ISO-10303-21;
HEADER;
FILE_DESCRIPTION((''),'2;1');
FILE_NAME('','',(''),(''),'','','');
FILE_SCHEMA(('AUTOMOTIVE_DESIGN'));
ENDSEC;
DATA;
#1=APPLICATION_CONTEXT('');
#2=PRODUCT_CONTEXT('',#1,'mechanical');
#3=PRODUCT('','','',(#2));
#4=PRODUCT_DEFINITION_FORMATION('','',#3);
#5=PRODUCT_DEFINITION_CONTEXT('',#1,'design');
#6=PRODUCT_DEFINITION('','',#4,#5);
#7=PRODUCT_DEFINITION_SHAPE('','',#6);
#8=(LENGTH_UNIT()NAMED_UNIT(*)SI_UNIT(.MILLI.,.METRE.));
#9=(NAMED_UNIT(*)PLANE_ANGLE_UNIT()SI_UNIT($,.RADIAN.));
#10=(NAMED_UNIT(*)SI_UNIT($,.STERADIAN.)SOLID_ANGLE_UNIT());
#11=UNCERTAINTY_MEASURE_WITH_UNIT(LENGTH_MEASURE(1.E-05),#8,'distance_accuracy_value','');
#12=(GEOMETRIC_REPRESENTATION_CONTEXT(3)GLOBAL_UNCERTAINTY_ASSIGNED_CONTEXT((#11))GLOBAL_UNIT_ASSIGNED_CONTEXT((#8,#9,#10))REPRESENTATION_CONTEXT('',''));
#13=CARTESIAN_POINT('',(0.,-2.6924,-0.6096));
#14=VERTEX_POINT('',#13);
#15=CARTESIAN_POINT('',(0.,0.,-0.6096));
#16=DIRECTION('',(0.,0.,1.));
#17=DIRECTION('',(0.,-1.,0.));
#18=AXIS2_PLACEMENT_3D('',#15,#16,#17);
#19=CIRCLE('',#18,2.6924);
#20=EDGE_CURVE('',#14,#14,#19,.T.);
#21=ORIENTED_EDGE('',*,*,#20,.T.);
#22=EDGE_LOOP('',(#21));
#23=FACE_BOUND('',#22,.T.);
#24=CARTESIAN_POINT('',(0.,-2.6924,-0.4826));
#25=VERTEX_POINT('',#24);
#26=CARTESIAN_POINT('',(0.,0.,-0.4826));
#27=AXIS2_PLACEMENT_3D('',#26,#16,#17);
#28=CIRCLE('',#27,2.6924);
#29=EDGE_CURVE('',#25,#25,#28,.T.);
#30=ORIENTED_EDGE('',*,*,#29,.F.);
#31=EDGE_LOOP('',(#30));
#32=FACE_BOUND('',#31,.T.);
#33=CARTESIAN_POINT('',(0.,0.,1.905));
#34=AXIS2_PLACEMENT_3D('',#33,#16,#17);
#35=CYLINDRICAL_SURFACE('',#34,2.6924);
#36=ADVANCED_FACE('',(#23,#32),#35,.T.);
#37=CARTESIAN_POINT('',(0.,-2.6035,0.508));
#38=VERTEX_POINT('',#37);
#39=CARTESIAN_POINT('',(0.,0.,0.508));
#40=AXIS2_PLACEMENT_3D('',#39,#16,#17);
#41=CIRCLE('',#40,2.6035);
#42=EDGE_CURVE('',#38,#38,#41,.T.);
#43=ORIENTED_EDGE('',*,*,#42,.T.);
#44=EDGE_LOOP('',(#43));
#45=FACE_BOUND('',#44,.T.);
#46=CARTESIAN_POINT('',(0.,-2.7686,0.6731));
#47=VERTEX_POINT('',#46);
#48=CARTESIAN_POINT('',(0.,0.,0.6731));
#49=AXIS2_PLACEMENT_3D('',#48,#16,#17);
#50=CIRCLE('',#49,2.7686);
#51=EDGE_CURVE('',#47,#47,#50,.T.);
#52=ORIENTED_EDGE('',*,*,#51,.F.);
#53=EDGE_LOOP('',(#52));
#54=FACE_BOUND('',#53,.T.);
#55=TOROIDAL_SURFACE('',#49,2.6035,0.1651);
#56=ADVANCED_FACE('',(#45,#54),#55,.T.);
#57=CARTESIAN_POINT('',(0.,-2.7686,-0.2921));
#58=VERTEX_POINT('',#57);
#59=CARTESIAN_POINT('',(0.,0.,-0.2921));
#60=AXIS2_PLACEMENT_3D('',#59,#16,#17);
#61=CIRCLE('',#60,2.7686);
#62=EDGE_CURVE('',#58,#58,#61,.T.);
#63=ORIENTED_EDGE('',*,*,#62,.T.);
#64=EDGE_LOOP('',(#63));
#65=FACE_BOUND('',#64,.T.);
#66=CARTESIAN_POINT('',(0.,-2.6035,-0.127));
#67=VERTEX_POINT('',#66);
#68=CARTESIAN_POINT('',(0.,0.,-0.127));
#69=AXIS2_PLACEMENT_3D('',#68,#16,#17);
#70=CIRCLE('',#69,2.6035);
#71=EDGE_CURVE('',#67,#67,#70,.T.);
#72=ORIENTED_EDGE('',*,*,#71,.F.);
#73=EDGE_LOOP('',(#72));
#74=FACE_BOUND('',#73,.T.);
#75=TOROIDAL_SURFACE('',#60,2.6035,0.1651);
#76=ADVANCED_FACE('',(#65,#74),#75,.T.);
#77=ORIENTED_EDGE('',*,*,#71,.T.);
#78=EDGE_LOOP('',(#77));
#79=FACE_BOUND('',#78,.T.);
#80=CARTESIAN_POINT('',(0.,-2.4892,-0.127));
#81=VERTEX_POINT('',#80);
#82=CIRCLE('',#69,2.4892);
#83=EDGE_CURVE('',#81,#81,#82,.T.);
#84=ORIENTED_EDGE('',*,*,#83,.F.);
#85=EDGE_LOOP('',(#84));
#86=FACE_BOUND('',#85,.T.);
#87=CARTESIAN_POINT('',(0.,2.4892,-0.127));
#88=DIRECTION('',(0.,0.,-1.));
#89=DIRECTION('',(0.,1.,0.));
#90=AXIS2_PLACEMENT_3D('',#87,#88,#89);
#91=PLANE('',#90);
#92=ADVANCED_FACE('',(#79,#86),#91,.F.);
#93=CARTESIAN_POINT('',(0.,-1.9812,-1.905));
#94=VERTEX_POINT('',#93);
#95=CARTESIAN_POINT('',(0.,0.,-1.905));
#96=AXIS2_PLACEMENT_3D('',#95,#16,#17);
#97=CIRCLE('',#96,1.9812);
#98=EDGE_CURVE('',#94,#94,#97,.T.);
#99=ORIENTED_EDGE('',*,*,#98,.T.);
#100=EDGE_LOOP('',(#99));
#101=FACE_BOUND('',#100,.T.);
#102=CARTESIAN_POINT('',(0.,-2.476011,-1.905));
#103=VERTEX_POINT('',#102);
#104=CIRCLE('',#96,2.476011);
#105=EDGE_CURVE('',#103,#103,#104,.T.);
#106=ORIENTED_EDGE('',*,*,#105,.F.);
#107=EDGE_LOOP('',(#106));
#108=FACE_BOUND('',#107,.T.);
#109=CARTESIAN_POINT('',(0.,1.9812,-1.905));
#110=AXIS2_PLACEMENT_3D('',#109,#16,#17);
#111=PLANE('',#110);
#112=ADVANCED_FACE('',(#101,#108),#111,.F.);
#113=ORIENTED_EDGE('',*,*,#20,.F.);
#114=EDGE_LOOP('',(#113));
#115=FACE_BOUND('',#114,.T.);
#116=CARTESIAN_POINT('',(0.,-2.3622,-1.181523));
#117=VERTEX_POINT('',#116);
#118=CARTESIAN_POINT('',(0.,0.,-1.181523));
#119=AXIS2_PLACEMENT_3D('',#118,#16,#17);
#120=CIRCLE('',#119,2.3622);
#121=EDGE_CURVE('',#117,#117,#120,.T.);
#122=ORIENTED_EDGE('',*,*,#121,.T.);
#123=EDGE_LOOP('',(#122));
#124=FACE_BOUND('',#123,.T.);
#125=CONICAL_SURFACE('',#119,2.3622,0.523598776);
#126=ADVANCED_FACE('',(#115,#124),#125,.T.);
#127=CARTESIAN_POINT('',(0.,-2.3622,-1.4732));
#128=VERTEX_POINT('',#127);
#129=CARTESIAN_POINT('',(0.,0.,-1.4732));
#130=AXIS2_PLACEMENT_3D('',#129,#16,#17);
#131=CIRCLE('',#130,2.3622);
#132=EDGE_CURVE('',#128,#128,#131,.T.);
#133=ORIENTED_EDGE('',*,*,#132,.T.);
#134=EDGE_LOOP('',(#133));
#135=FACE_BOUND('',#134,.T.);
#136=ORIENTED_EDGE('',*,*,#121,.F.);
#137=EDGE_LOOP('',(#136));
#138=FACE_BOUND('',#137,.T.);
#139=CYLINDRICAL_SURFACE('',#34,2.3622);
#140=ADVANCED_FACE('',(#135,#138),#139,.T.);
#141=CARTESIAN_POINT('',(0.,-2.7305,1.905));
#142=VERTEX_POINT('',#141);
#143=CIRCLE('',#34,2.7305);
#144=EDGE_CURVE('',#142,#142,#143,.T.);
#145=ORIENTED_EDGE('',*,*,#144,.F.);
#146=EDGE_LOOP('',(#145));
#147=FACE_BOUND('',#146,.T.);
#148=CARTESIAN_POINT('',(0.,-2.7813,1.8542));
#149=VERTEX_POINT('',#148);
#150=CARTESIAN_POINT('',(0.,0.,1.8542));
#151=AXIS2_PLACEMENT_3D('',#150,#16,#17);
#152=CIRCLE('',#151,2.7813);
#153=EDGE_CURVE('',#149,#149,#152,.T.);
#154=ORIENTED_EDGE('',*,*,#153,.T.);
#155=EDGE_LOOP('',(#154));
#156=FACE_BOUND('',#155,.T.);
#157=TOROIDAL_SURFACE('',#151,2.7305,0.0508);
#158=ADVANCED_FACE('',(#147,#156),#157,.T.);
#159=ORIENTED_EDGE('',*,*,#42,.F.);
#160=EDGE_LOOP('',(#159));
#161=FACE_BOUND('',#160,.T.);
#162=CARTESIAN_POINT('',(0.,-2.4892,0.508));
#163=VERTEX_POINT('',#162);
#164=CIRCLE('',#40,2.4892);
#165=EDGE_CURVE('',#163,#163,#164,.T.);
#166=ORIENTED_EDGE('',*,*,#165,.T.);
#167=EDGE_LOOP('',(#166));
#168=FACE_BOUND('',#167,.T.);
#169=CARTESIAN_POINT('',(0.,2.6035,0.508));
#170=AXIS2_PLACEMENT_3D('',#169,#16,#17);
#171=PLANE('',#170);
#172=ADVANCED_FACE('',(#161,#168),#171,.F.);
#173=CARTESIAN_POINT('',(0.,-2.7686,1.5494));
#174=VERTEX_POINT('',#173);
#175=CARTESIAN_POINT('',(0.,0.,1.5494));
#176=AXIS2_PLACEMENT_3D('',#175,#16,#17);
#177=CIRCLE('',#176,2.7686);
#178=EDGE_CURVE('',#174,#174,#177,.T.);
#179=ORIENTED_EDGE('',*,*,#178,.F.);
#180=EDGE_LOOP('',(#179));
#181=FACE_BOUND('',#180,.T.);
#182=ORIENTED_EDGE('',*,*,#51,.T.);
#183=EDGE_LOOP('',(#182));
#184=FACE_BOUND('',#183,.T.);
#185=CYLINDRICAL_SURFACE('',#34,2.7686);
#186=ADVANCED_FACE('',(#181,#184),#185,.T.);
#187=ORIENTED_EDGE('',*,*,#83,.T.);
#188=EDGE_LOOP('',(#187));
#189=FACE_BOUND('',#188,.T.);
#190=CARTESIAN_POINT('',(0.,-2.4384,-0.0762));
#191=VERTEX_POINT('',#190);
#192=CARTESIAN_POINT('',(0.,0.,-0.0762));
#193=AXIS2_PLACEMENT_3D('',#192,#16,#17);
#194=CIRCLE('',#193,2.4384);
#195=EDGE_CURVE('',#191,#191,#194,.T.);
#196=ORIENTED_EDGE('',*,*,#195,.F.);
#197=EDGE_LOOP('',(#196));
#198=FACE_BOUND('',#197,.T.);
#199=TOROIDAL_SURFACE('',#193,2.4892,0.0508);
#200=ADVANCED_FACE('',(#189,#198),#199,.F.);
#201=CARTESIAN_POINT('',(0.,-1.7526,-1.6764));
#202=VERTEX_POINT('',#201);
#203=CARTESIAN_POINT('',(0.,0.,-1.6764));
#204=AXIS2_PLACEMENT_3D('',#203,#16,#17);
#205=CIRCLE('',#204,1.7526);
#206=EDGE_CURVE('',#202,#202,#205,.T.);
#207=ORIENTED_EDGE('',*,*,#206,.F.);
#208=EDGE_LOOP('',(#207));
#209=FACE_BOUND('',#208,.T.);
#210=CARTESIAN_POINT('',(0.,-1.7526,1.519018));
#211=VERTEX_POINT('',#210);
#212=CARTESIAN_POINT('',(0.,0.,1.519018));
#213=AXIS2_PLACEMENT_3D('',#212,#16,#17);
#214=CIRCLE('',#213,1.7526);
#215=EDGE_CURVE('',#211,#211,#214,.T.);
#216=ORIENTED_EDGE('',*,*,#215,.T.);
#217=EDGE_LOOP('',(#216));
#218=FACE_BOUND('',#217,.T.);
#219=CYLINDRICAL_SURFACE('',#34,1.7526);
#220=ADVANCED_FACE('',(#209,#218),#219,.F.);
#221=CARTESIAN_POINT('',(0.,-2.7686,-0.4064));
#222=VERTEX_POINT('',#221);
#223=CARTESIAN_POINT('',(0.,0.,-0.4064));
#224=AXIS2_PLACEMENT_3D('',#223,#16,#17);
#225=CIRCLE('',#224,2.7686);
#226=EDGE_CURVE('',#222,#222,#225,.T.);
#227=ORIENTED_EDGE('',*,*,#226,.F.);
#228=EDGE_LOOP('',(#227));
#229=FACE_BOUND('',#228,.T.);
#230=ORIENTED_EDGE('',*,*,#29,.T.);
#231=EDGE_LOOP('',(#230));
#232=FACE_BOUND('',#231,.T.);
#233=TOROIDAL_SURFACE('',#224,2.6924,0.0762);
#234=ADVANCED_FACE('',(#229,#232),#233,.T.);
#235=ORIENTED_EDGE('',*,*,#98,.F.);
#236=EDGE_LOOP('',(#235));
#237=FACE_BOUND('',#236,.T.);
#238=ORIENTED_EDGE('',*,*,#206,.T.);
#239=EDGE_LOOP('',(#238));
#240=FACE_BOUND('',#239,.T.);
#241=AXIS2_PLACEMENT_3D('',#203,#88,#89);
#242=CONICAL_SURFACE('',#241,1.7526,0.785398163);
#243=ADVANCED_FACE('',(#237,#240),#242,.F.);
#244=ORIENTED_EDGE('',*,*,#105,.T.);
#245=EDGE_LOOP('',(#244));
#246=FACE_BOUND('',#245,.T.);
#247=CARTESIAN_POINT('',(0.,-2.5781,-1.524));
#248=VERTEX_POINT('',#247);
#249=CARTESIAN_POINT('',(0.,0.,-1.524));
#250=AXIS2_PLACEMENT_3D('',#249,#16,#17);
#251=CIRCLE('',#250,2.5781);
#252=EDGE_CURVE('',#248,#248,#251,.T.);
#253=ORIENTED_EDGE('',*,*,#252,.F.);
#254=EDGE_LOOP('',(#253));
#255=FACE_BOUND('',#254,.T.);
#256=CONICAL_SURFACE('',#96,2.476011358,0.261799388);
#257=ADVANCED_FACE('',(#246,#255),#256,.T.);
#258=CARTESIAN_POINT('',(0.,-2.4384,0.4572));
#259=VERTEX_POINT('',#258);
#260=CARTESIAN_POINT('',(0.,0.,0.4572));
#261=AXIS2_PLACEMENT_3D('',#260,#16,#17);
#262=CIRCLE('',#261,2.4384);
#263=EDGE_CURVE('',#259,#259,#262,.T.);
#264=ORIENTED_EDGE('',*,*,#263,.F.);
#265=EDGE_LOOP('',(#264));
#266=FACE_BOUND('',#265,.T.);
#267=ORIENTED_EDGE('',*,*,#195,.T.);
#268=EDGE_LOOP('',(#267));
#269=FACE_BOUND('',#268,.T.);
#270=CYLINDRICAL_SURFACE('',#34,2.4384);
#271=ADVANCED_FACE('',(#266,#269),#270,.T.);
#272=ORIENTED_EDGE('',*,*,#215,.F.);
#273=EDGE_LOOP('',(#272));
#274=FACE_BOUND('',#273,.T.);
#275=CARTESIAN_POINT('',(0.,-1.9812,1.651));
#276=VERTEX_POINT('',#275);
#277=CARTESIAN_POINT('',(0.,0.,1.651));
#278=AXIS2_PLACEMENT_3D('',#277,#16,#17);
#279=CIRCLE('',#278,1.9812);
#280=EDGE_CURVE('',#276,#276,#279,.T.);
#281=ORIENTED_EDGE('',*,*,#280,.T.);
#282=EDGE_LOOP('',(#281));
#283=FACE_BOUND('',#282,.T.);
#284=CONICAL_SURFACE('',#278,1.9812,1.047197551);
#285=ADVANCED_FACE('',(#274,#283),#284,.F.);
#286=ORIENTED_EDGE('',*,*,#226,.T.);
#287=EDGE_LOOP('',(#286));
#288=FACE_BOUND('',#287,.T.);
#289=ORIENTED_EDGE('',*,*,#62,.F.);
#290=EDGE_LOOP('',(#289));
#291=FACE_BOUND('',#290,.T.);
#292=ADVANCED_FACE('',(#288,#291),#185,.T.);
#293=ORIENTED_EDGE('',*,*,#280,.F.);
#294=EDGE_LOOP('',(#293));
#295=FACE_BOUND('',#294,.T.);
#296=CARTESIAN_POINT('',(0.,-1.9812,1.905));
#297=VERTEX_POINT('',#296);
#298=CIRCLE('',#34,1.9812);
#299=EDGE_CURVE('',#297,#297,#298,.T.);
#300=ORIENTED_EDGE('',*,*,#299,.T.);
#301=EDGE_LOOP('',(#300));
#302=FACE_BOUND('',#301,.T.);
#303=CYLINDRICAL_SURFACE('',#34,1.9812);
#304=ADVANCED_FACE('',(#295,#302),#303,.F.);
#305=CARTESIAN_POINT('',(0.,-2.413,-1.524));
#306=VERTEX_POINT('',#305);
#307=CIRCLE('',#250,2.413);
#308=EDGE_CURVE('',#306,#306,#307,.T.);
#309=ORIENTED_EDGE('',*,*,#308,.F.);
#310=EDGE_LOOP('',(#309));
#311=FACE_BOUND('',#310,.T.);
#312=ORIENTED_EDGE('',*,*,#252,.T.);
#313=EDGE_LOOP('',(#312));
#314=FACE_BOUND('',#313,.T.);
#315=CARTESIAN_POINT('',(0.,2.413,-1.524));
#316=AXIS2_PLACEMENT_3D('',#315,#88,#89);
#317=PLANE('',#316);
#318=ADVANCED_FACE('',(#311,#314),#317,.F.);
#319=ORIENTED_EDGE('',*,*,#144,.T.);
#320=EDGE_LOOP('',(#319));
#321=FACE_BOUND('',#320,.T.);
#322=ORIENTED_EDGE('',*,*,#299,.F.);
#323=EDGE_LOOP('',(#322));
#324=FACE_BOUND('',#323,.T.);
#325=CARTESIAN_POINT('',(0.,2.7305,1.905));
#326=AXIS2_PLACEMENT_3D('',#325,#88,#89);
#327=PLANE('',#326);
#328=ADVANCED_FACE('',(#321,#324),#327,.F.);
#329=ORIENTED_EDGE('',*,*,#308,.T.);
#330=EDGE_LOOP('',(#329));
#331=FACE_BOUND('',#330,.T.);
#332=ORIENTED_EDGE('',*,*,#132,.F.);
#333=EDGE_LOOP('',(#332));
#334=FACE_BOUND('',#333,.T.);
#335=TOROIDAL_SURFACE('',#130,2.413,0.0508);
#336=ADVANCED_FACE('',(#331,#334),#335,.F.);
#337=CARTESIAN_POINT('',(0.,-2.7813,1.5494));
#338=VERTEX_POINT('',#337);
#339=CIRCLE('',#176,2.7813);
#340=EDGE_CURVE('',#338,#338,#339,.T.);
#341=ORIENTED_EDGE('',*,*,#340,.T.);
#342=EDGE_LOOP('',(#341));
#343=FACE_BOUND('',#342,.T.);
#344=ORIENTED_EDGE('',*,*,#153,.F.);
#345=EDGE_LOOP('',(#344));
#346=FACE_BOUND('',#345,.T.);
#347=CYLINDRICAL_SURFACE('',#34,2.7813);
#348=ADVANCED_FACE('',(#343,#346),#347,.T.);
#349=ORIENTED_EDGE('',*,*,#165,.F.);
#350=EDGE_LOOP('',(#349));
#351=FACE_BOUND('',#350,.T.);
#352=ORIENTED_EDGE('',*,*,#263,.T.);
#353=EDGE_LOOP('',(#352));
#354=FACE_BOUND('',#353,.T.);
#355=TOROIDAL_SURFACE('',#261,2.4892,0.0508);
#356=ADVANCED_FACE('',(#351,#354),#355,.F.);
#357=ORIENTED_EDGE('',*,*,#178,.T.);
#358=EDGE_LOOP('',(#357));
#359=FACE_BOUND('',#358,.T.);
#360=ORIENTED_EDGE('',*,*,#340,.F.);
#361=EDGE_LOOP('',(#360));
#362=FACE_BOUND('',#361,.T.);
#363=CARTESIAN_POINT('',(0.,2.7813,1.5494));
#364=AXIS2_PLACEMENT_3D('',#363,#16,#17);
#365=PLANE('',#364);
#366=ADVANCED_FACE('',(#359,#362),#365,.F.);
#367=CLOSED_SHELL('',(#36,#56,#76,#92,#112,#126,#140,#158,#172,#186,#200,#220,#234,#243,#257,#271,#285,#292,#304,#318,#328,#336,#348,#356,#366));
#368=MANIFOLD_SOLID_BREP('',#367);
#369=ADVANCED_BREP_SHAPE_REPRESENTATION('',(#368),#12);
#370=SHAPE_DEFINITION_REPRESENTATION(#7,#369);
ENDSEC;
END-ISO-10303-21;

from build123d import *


with BuildPart() as part:
    # Sketch2 → Revolve1 (revolve)
    with BuildSketch(Plane(origin=(0, 0, 0), x_dir=(0, 0, -1), z_dir=(1, 0, 0))):
        with BuildLine():
            Line((0.6096, 2.6924), (1.181523177, 2.3622))
            Line((1.181523177, 2.3622), (1.4732, 2.3622))
            ThreePointArc((1.4732, 2.3622), (1.509121024, 2.377078976), (1.524, 2.413))
            Line((1.524, 2.413), (1.524, 2.5781))
            Line((1.524, 2.5781), (1.905, 2.476011358))
            Line((1.905, 2.476011358), (1.905, 1.9812))
            Line((1.905, 1.9812), (1.6764, 1.7526))
            Line((1.6764, 1.7526), (-1.519017728, 1.7526))
            Line((-1.519017728, 1.7526), (-1.651, 1.9812))
            Line((-1.651, 1.9812), (-1.905, 1.9812))
            Line((-1.905, 1.9812), (-1.905, 2.7305))
            ThreePointArc((-1.905, 2.7305), (-1.890121024, 2.766421024), (-1.8542, 2.7813))
            Line((-1.8542, 2.7813), (-1.5494, 2.7813))
            Line((-1.5494, 2.7813), (-1.5494, 2.7686))
            Line((-1.5494, 2.7686), (-0.6731, 2.7686))
            ThreePointArc((-0.6731, 2.7686), (-0.55635667, 2.72024333), (-0.508, 2.6035))
            Line((-0.508, 2.6035), (-0.508, 2.4892))
            ThreePointArc((-0.508, 2.4892), (-0.493121024, 2.453278976), (-0.4572, 2.4384))
            Line((-0.4572, 2.4384), (0.0762, 2.4384))
            ThreePointArc((0.0762, 2.4384), (0.112121024, 2.453278976), (0.127, 2.4892))
            Line((0.127, 2.4892), (0.127, 2.6035))
            ThreePointArc((0.127, 2.6035), (0.17535667, 2.72024333), (0.2921, 2.7686))
            Line((0.2921, 2.7686), (0.4064, 2.7686))
            ThreePointArc((0.4064, 2.7686), (0.460281537, 2.746281537), (0.4826, 2.6924))
            Line((0.4826, 2.6924), (0.6096, 2.6924))
        make_face()
    revolve(axis=Axis((0, 0, 1.905), (0, 0, -1)))


solid = part.part
